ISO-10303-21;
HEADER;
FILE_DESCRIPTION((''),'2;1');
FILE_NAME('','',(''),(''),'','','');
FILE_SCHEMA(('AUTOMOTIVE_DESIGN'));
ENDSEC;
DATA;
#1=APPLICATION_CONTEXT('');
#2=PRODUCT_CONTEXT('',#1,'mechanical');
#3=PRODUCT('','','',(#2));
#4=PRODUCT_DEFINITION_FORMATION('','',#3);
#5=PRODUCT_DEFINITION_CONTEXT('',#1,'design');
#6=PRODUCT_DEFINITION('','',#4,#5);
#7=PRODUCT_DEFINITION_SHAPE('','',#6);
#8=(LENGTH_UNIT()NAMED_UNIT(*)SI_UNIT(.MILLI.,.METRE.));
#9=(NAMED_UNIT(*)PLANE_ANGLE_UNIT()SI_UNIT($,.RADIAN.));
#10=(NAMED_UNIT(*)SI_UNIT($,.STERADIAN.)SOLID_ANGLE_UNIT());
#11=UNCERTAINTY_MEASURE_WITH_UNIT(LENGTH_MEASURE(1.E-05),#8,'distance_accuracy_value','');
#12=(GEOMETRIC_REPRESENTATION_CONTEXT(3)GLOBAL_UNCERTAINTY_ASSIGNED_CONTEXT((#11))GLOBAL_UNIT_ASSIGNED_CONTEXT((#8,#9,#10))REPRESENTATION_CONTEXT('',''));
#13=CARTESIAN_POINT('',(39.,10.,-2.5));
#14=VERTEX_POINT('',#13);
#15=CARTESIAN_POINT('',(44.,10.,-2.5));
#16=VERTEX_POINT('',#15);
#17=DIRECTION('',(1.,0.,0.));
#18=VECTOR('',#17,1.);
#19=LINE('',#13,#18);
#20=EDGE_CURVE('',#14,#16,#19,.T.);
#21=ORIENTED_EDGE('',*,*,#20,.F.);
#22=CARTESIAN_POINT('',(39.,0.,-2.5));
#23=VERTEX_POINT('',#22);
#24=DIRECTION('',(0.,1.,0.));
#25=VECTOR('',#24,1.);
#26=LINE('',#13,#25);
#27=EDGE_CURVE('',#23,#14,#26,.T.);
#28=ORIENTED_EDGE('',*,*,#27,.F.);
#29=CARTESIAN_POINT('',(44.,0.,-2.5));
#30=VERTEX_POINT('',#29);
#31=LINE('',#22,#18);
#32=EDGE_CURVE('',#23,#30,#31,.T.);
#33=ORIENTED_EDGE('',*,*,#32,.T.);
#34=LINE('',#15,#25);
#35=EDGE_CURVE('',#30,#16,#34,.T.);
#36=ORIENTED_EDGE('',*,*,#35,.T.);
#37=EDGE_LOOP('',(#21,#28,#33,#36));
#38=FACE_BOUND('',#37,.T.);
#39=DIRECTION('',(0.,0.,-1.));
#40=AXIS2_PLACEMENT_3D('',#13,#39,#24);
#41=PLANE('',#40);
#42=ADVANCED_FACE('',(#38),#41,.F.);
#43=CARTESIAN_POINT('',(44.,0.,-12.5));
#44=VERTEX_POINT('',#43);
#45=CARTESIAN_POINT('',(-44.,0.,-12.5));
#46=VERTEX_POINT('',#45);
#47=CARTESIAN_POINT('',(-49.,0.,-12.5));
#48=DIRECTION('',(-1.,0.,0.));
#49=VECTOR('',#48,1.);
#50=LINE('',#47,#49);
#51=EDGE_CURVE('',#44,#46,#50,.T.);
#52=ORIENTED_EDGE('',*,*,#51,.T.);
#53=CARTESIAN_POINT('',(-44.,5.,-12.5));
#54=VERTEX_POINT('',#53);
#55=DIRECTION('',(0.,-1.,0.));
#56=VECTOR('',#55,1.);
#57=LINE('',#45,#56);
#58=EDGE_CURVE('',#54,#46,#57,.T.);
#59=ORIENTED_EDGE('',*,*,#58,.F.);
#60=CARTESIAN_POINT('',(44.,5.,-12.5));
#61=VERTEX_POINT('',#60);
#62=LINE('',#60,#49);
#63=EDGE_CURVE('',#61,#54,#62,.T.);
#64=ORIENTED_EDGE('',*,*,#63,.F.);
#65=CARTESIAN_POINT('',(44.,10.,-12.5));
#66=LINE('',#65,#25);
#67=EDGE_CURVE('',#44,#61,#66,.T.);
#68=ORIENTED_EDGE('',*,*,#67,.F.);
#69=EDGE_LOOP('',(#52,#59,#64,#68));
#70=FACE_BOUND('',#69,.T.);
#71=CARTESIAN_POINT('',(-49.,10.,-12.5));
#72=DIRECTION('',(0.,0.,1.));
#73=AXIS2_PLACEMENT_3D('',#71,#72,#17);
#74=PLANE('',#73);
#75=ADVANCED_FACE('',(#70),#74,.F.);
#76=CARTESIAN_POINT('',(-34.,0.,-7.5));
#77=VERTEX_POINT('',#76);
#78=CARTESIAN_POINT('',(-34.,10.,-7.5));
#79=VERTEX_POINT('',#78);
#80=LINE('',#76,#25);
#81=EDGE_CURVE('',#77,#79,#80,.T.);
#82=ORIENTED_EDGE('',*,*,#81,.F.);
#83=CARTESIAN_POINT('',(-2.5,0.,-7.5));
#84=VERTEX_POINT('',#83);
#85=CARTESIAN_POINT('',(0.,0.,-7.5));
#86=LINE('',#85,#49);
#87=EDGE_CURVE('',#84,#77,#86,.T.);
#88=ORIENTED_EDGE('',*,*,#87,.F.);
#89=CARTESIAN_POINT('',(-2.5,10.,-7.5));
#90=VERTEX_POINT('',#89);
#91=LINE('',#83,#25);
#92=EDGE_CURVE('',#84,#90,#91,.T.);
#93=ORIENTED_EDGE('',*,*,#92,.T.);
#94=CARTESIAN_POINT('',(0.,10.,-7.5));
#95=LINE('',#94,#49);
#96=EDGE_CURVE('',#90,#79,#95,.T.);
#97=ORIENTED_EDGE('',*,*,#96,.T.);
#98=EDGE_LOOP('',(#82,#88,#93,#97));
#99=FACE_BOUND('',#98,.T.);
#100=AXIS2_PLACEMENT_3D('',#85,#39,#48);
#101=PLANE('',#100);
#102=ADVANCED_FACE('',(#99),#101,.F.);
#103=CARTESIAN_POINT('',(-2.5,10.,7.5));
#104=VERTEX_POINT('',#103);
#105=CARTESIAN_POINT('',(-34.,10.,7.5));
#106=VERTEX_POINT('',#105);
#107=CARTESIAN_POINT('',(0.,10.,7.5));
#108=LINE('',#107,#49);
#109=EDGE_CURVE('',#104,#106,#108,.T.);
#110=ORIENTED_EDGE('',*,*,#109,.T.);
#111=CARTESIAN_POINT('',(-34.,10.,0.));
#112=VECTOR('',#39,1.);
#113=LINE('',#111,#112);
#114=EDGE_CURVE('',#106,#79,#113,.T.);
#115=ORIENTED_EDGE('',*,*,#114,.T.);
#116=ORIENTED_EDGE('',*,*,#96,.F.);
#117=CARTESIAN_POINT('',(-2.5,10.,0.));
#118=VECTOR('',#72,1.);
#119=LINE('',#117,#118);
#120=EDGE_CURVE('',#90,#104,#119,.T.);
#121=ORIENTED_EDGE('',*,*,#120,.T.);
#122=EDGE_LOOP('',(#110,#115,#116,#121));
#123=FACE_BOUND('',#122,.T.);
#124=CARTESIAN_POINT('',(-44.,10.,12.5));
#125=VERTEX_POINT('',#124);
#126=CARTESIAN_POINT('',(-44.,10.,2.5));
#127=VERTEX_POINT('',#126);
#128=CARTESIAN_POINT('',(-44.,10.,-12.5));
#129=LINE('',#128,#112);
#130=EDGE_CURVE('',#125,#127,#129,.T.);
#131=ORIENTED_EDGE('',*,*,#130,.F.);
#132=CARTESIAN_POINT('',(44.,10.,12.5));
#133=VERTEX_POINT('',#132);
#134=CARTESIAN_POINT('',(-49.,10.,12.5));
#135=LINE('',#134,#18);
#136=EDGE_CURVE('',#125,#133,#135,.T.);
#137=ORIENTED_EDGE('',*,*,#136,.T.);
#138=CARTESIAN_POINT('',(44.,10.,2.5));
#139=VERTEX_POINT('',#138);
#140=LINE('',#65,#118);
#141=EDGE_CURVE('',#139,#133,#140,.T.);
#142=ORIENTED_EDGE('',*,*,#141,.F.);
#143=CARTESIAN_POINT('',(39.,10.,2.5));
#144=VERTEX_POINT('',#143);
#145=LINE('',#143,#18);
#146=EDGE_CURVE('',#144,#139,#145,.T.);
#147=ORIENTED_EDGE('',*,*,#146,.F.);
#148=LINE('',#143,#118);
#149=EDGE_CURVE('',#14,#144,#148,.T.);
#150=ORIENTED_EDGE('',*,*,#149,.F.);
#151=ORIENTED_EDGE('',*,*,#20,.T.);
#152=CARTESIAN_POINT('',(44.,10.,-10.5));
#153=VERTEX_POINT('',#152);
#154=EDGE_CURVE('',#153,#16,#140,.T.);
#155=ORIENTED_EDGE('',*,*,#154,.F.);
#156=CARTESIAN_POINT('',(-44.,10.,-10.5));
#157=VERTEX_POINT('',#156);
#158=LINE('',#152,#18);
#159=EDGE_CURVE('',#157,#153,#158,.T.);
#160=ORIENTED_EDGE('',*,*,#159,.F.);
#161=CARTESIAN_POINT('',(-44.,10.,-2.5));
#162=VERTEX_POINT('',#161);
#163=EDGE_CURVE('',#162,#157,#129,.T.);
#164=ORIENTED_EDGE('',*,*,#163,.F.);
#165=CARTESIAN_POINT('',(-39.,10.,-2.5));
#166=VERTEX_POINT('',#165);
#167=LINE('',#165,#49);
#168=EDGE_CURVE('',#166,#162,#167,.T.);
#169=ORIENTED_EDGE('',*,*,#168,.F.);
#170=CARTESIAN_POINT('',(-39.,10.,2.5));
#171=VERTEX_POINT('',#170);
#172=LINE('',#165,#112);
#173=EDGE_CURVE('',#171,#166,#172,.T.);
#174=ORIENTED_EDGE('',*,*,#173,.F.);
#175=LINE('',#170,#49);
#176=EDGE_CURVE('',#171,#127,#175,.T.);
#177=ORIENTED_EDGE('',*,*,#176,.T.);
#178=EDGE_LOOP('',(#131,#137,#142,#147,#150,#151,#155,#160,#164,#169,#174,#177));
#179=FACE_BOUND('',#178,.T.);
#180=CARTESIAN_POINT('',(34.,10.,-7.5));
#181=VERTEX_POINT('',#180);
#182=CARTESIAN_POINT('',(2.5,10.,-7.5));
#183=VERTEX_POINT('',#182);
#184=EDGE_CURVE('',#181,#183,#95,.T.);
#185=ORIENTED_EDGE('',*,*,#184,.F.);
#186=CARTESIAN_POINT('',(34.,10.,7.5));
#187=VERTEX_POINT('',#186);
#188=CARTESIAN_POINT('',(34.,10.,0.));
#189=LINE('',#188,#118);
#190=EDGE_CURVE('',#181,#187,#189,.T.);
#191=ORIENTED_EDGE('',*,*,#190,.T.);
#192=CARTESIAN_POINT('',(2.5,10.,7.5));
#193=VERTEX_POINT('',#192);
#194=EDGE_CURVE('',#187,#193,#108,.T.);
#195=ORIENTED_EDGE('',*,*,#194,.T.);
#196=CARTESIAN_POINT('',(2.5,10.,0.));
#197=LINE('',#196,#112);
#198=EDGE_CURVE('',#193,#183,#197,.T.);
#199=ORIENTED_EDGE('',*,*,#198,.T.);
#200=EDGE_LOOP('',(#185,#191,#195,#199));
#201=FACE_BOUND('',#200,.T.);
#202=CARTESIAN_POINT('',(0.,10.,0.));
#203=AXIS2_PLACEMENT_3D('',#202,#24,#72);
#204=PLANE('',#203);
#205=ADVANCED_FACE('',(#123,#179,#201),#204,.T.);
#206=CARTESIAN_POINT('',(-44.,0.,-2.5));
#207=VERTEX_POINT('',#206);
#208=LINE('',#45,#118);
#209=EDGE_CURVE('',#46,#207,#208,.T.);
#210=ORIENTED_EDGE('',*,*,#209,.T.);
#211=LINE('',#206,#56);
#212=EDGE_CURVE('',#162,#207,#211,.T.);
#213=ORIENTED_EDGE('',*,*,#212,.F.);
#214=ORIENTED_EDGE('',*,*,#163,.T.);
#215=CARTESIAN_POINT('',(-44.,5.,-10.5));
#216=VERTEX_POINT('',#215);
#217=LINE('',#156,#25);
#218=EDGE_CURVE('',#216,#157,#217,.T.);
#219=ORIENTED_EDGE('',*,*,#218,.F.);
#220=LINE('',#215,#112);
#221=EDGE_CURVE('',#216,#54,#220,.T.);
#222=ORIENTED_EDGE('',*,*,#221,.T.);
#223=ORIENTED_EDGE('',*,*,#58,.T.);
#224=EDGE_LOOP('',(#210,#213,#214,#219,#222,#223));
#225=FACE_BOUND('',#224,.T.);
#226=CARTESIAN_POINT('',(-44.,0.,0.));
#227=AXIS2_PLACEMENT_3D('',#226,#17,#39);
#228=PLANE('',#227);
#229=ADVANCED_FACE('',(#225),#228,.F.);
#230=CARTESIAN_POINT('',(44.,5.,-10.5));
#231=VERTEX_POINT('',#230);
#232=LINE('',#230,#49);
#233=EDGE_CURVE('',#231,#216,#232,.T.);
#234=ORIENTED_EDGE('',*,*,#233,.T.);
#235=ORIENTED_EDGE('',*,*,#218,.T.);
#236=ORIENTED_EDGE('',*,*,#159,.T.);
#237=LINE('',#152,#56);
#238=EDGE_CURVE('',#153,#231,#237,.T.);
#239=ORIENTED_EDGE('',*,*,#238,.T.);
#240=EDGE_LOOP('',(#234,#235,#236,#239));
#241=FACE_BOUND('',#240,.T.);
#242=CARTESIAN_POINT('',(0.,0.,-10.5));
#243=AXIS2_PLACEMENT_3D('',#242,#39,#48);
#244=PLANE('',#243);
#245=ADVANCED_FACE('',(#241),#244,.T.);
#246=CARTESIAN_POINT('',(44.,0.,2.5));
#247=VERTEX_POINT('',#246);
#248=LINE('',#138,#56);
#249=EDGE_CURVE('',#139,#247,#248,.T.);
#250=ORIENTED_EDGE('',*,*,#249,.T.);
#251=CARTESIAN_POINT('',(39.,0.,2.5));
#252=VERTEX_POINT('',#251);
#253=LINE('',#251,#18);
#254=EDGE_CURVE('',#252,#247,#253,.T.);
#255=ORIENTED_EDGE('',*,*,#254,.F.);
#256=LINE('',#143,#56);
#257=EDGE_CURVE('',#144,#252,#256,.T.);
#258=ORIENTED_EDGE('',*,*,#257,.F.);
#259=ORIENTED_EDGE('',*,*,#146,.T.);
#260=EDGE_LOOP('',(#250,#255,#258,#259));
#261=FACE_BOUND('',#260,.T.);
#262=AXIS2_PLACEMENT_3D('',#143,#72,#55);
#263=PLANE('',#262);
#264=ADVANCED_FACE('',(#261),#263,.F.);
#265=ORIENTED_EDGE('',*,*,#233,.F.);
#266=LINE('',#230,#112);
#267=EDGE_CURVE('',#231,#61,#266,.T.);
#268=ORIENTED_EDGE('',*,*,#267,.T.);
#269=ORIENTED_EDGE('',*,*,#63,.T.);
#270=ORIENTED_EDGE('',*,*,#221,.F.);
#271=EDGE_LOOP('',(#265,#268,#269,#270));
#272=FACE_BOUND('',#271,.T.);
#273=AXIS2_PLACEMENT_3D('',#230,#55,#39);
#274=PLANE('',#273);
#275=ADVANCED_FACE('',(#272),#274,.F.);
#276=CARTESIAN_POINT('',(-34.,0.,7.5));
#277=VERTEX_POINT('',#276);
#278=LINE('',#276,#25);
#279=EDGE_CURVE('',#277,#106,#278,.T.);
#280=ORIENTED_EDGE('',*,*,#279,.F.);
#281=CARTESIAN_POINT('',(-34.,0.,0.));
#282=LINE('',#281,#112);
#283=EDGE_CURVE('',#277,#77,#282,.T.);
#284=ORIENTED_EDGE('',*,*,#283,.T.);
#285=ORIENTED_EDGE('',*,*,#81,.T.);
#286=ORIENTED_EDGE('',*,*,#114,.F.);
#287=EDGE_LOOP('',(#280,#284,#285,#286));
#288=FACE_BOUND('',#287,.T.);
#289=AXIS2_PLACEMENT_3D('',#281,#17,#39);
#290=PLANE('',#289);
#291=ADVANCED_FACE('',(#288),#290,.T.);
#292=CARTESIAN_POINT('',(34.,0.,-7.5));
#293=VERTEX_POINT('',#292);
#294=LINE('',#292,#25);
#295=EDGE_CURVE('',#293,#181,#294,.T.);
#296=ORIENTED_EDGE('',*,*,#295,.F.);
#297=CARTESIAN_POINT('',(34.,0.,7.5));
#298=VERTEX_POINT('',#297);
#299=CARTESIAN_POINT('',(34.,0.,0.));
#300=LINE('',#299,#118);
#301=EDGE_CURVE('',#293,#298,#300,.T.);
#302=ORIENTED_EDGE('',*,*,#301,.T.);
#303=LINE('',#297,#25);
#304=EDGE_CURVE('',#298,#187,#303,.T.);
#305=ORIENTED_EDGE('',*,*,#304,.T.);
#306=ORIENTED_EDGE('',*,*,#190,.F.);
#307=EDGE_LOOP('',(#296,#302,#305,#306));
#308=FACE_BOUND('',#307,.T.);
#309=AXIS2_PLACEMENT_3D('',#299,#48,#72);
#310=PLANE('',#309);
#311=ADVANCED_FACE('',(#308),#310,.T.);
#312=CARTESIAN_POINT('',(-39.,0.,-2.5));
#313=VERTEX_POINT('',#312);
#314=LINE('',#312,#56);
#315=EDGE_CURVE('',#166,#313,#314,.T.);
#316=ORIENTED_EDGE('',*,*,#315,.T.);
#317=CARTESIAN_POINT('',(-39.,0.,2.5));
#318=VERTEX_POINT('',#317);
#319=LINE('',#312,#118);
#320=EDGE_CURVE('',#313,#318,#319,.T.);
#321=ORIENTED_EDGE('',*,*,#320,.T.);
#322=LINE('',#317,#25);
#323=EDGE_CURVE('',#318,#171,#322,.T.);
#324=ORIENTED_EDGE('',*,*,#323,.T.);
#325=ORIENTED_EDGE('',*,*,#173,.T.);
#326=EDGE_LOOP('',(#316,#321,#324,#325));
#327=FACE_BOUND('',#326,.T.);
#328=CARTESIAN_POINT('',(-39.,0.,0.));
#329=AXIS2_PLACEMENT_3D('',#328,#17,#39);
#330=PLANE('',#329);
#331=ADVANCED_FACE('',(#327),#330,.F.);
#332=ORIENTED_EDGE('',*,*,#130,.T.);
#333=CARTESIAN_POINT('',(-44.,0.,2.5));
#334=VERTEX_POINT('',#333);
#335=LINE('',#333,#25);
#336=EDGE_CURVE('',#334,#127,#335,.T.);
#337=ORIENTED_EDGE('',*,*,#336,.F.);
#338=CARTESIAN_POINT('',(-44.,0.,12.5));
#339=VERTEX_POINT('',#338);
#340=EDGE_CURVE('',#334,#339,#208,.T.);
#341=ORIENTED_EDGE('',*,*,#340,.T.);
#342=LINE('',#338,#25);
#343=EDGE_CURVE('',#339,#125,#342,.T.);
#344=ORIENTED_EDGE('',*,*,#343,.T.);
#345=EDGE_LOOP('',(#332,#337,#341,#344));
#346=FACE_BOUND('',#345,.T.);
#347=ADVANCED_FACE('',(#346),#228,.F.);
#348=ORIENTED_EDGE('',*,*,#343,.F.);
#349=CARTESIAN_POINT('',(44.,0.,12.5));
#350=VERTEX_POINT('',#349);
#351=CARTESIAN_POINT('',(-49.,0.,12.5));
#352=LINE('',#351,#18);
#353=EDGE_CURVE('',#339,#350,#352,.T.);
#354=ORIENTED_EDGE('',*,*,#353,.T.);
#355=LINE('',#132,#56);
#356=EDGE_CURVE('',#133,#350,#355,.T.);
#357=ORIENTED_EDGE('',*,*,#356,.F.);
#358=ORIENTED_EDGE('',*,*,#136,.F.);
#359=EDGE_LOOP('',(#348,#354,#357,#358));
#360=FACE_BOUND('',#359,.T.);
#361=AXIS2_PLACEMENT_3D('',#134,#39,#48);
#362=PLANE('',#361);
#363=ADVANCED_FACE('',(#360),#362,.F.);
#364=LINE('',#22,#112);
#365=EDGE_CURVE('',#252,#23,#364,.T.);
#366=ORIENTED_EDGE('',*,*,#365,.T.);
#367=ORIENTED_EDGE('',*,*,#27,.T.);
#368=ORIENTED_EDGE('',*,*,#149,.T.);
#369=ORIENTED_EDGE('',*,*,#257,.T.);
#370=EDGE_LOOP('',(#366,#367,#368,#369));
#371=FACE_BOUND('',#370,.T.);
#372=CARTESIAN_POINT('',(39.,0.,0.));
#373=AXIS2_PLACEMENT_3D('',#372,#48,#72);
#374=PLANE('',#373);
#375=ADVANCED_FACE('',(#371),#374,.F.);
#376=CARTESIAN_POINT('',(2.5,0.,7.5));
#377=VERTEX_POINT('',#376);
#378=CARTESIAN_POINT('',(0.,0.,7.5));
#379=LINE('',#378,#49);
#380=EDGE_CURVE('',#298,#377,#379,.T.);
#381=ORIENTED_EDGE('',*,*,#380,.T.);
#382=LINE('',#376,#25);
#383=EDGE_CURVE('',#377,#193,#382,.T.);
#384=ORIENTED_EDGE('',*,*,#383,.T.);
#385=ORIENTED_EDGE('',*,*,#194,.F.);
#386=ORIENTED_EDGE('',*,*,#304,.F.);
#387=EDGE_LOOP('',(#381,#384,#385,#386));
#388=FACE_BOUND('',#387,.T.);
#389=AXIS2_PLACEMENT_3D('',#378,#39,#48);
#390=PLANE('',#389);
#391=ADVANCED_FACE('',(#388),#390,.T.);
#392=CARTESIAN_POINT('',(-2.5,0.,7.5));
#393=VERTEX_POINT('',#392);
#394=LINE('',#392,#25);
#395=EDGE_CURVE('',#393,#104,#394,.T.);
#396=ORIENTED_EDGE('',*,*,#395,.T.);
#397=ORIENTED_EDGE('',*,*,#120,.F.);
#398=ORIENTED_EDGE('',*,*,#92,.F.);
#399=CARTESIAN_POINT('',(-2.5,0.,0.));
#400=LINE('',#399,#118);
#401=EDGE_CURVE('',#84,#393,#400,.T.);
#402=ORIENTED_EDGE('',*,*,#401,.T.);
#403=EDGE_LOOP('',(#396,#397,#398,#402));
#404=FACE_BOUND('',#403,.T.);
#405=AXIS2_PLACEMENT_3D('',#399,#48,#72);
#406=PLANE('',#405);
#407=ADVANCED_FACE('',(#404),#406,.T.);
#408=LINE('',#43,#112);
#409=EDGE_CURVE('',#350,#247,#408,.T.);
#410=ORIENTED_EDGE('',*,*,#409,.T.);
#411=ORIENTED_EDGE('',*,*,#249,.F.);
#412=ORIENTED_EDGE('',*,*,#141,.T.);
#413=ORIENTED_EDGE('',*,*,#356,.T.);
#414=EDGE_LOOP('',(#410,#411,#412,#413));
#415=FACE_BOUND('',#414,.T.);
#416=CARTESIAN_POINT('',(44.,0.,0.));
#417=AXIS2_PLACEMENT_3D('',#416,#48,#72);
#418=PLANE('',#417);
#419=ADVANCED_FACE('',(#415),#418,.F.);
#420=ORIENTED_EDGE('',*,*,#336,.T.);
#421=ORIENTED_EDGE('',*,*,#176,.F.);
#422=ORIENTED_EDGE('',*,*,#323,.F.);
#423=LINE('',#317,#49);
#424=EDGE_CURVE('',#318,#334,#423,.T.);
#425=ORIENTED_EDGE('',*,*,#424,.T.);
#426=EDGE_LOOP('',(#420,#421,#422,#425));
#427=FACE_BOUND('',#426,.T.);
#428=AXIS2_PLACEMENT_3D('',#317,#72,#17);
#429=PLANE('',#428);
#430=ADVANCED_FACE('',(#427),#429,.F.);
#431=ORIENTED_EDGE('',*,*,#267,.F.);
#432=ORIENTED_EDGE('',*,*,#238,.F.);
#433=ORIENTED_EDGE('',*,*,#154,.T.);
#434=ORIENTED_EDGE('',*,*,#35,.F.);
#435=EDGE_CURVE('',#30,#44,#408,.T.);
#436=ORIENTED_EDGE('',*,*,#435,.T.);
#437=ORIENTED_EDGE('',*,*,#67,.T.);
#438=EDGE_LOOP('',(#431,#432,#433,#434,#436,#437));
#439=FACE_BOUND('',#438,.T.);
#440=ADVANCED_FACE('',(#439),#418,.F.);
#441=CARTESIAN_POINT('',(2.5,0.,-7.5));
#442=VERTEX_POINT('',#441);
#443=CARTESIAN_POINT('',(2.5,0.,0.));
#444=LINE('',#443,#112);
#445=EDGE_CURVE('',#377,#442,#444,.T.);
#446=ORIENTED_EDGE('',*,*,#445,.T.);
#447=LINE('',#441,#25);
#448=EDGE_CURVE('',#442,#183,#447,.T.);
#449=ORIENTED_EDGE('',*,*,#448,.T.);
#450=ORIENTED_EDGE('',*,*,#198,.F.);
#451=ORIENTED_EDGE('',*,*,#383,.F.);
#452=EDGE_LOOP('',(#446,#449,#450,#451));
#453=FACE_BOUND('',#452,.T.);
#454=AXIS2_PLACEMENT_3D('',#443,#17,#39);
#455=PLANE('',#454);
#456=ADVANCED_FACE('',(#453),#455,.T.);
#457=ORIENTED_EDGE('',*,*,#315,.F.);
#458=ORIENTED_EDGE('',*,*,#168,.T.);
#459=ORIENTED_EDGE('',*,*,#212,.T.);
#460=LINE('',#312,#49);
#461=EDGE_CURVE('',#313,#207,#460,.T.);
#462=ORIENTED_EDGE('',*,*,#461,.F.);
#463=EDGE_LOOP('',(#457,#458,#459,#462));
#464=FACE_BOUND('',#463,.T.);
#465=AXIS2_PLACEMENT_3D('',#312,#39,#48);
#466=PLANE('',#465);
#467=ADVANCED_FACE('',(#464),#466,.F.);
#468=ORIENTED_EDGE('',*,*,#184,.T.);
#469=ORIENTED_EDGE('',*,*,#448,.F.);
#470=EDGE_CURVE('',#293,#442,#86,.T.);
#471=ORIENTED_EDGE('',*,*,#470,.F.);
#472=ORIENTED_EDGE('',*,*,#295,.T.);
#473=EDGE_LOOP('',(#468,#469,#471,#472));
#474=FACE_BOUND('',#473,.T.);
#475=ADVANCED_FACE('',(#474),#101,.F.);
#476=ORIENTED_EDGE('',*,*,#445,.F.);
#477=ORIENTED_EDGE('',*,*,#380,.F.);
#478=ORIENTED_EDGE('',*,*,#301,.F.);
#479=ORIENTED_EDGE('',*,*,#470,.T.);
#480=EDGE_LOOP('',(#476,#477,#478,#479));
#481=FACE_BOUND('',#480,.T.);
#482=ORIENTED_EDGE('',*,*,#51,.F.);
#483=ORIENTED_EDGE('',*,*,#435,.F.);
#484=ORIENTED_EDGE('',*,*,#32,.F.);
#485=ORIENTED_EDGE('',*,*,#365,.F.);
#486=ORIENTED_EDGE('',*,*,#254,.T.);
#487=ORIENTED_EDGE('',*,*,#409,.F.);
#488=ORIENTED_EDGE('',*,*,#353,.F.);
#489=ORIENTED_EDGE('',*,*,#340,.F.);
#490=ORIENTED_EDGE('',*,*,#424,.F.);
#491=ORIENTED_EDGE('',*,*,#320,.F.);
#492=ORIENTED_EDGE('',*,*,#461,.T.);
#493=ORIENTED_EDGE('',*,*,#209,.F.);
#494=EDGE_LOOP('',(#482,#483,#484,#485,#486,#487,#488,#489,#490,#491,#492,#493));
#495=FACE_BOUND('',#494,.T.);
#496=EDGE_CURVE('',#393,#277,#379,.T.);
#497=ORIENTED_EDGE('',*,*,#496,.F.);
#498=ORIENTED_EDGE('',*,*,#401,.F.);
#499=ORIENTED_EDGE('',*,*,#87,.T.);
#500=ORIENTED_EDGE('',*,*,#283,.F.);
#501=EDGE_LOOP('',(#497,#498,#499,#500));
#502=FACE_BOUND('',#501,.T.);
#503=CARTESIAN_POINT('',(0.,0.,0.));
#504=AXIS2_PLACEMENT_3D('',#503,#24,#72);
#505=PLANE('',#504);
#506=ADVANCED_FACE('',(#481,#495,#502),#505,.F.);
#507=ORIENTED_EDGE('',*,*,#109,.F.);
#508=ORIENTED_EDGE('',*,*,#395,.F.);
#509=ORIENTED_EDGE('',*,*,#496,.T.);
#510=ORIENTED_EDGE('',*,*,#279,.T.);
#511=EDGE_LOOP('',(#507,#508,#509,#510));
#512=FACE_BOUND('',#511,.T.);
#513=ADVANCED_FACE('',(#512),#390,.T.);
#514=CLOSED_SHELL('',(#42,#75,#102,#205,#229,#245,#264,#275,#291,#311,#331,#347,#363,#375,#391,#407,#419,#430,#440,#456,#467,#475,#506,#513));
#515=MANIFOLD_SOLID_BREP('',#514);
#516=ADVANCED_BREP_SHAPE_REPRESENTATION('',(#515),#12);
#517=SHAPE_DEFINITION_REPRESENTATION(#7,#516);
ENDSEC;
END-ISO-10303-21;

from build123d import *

# Parameters (mm, degrees)
SKETCH1_W           = 98
SKETCH1_H           = 25
BOSS_EXTRUDE1_DEPTH = 10
CUT_EXTRUDE4_DEPTH  = 10
SKETCH4_W           = 25
SKETCH4_H           = 10
CUT_EXTRUDE6_DEPTH  = 5
SKETCH5_W           = 25
SKETCH5_H           = 10
CUT_EXTRUDE7_DEPTH  = 5
SKETCH6_W           = 5
SKETCH6_H           = 10
CUT_EXTRUDE8_DEPTH  = 5
SKETCH7_W           = 5
SKETCH7_H           = 10
CUT_EXTRUDE9_DEPTH  = 5
SKETCH8_W           = 88
SKETCH8_H           = 5
CUT_EXTRUDE10_DEPTH = 2


with BuildPart() as part:
    # Sketch1 → Boss-Extrude1 (new body)
    with BuildSketch(Plane(origin=(0, 0, 0), x_dir=(1, 0, 0), z_dir=(0, 1, 0))):
        Rectangle(SKETCH1_W, SKETCH1_H)
    extrude(amount=BOSS_EXTRUDE1_DEPTH)

    # Sketch2 → Cut-Extrude4 (cut)
    with BuildSketch(Plane(origin=(0, 10, 0), x_dir=(1, 0, 0), z_dir=(0, 1, 0))):
        Polygon((-2.5, 2.403992328), (-2.5, -7.5), (-34, -7.5), (-34, 7.5), (-2.5, 7.5), align=None)
        Polygon((2.5, 2.403992328), (2.5, 7.5), (34, 7.5), (34, -7.5), (2.5, -7.5), align=None)
    extrude(amount=-CUT_EXTRUDE4_DEPTH, mode=Mode.SUBTRACT)

    # Sketch4 → Cut-Extrude6 (cut)
    with BuildSketch(Plane.ZY.offset(49)):
        with Locations((0, 5)):
            Rectangle(SKETCH4_W, SKETCH4_H)
    extrude(amount=-CUT_EXTRUDE6_DEPTH, mode=Mode.SUBTRACT)

    # Sketch5 → Cut-Extrude7 (cut)
    with BuildSketch(Plane(origin=(49, 0, 0), x_dir=(0, 0, -1), z_dir=(1, 0, 0))):
        with Locations((0, 5)):
            Rectangle(SKETCH5_W, SKETCH5_H)
    extrude(amount=-CUT_EXTRUDE7_DEPTH, mode=Mode.SUBTRACT)

    # Sketch6 → Cut-Extrude8 (cut)
    with BuildSketch(Plane(origin=(44, 0, 0), x_dir=(0, 0, -1), z_dir=(1, 0, 0))):
        with Locations((0, 5)):
            Rectangle(SKETCH6_W, SKETCH6_H)
    extrude(amount=-CUT_EXTRUDE8_DEPTH, mode=Mode.SUBTRACT)

    # Sketch7 → Cut-Extrude9 (cut)
    with BuildSketch(Plane.ZY.offset(44)):
        with Locations((0, 5)):
            Rectangle(SKETCH7_W, SKETCH7_H)
    extrude(amount=-CUT_EXTRUDE9_DEPTH, mode=Mode.SUBTRACT)

    # Sketch8 → Cut-Extrude10 (cut)
    with BuildSketch(Plane(origin=(0, 0, -12.5), x_dir=(-1, 0, 0), z_dir=(0, 0, -1))):
        with Locations((0, 7.5)):
            Rectangle(SKETCH8_W, SKETCH8_H)
    extrude(amount=-CUT_EXTRUDE10_DEPTH, mode=Mode.SUBTRACT)


solid = part.part
